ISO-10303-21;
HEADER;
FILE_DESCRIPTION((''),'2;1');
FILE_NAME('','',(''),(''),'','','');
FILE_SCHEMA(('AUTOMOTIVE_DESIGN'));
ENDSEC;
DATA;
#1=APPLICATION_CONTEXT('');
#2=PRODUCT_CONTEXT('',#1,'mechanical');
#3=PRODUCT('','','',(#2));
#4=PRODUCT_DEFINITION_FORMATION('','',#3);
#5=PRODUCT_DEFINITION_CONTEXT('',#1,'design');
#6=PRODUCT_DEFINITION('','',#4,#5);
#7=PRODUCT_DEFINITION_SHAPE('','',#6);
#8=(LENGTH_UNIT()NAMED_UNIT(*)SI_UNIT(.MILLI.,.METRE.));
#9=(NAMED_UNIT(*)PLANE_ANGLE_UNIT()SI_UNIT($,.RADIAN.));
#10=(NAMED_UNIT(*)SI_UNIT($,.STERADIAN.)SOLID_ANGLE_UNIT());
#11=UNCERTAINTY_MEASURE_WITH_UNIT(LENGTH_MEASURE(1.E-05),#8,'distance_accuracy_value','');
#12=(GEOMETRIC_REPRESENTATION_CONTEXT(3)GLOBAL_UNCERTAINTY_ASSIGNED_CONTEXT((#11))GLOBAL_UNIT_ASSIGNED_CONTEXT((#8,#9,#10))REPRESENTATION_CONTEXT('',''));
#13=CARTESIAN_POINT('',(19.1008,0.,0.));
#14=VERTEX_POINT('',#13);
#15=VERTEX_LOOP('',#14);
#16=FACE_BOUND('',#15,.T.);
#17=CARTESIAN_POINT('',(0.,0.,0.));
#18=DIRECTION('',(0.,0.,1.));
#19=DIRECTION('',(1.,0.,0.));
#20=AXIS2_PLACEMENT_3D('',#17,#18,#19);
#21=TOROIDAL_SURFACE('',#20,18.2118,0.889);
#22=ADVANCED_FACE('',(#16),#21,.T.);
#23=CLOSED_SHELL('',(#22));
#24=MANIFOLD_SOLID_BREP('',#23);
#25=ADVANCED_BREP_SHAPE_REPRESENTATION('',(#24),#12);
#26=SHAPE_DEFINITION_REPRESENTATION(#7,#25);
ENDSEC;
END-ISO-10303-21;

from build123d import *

# Parameters (mm, degrees)
SKETCH1_R = 0.889


with BuildPart() as part:
    # Sketch1 → Revolve1 (revolve)
    with BuildSketch(Plane(origin=(0, 0, 0), x_dir=(0, -1, 0), z_dir=(1, 0, 0)), mode=Mode.PRIVATE) as revolve1_sk:
        with Locations((18.2118, 0)):
            Circle(SKETCH1_R)
    revolve(revolve1_sk.sketch.rotate(Axis((0, 0, 0.889), (0, 0, -1)), 270), axis=Axis((0, 0, 0.889), (0, 0, -1)))


solid = part.part
